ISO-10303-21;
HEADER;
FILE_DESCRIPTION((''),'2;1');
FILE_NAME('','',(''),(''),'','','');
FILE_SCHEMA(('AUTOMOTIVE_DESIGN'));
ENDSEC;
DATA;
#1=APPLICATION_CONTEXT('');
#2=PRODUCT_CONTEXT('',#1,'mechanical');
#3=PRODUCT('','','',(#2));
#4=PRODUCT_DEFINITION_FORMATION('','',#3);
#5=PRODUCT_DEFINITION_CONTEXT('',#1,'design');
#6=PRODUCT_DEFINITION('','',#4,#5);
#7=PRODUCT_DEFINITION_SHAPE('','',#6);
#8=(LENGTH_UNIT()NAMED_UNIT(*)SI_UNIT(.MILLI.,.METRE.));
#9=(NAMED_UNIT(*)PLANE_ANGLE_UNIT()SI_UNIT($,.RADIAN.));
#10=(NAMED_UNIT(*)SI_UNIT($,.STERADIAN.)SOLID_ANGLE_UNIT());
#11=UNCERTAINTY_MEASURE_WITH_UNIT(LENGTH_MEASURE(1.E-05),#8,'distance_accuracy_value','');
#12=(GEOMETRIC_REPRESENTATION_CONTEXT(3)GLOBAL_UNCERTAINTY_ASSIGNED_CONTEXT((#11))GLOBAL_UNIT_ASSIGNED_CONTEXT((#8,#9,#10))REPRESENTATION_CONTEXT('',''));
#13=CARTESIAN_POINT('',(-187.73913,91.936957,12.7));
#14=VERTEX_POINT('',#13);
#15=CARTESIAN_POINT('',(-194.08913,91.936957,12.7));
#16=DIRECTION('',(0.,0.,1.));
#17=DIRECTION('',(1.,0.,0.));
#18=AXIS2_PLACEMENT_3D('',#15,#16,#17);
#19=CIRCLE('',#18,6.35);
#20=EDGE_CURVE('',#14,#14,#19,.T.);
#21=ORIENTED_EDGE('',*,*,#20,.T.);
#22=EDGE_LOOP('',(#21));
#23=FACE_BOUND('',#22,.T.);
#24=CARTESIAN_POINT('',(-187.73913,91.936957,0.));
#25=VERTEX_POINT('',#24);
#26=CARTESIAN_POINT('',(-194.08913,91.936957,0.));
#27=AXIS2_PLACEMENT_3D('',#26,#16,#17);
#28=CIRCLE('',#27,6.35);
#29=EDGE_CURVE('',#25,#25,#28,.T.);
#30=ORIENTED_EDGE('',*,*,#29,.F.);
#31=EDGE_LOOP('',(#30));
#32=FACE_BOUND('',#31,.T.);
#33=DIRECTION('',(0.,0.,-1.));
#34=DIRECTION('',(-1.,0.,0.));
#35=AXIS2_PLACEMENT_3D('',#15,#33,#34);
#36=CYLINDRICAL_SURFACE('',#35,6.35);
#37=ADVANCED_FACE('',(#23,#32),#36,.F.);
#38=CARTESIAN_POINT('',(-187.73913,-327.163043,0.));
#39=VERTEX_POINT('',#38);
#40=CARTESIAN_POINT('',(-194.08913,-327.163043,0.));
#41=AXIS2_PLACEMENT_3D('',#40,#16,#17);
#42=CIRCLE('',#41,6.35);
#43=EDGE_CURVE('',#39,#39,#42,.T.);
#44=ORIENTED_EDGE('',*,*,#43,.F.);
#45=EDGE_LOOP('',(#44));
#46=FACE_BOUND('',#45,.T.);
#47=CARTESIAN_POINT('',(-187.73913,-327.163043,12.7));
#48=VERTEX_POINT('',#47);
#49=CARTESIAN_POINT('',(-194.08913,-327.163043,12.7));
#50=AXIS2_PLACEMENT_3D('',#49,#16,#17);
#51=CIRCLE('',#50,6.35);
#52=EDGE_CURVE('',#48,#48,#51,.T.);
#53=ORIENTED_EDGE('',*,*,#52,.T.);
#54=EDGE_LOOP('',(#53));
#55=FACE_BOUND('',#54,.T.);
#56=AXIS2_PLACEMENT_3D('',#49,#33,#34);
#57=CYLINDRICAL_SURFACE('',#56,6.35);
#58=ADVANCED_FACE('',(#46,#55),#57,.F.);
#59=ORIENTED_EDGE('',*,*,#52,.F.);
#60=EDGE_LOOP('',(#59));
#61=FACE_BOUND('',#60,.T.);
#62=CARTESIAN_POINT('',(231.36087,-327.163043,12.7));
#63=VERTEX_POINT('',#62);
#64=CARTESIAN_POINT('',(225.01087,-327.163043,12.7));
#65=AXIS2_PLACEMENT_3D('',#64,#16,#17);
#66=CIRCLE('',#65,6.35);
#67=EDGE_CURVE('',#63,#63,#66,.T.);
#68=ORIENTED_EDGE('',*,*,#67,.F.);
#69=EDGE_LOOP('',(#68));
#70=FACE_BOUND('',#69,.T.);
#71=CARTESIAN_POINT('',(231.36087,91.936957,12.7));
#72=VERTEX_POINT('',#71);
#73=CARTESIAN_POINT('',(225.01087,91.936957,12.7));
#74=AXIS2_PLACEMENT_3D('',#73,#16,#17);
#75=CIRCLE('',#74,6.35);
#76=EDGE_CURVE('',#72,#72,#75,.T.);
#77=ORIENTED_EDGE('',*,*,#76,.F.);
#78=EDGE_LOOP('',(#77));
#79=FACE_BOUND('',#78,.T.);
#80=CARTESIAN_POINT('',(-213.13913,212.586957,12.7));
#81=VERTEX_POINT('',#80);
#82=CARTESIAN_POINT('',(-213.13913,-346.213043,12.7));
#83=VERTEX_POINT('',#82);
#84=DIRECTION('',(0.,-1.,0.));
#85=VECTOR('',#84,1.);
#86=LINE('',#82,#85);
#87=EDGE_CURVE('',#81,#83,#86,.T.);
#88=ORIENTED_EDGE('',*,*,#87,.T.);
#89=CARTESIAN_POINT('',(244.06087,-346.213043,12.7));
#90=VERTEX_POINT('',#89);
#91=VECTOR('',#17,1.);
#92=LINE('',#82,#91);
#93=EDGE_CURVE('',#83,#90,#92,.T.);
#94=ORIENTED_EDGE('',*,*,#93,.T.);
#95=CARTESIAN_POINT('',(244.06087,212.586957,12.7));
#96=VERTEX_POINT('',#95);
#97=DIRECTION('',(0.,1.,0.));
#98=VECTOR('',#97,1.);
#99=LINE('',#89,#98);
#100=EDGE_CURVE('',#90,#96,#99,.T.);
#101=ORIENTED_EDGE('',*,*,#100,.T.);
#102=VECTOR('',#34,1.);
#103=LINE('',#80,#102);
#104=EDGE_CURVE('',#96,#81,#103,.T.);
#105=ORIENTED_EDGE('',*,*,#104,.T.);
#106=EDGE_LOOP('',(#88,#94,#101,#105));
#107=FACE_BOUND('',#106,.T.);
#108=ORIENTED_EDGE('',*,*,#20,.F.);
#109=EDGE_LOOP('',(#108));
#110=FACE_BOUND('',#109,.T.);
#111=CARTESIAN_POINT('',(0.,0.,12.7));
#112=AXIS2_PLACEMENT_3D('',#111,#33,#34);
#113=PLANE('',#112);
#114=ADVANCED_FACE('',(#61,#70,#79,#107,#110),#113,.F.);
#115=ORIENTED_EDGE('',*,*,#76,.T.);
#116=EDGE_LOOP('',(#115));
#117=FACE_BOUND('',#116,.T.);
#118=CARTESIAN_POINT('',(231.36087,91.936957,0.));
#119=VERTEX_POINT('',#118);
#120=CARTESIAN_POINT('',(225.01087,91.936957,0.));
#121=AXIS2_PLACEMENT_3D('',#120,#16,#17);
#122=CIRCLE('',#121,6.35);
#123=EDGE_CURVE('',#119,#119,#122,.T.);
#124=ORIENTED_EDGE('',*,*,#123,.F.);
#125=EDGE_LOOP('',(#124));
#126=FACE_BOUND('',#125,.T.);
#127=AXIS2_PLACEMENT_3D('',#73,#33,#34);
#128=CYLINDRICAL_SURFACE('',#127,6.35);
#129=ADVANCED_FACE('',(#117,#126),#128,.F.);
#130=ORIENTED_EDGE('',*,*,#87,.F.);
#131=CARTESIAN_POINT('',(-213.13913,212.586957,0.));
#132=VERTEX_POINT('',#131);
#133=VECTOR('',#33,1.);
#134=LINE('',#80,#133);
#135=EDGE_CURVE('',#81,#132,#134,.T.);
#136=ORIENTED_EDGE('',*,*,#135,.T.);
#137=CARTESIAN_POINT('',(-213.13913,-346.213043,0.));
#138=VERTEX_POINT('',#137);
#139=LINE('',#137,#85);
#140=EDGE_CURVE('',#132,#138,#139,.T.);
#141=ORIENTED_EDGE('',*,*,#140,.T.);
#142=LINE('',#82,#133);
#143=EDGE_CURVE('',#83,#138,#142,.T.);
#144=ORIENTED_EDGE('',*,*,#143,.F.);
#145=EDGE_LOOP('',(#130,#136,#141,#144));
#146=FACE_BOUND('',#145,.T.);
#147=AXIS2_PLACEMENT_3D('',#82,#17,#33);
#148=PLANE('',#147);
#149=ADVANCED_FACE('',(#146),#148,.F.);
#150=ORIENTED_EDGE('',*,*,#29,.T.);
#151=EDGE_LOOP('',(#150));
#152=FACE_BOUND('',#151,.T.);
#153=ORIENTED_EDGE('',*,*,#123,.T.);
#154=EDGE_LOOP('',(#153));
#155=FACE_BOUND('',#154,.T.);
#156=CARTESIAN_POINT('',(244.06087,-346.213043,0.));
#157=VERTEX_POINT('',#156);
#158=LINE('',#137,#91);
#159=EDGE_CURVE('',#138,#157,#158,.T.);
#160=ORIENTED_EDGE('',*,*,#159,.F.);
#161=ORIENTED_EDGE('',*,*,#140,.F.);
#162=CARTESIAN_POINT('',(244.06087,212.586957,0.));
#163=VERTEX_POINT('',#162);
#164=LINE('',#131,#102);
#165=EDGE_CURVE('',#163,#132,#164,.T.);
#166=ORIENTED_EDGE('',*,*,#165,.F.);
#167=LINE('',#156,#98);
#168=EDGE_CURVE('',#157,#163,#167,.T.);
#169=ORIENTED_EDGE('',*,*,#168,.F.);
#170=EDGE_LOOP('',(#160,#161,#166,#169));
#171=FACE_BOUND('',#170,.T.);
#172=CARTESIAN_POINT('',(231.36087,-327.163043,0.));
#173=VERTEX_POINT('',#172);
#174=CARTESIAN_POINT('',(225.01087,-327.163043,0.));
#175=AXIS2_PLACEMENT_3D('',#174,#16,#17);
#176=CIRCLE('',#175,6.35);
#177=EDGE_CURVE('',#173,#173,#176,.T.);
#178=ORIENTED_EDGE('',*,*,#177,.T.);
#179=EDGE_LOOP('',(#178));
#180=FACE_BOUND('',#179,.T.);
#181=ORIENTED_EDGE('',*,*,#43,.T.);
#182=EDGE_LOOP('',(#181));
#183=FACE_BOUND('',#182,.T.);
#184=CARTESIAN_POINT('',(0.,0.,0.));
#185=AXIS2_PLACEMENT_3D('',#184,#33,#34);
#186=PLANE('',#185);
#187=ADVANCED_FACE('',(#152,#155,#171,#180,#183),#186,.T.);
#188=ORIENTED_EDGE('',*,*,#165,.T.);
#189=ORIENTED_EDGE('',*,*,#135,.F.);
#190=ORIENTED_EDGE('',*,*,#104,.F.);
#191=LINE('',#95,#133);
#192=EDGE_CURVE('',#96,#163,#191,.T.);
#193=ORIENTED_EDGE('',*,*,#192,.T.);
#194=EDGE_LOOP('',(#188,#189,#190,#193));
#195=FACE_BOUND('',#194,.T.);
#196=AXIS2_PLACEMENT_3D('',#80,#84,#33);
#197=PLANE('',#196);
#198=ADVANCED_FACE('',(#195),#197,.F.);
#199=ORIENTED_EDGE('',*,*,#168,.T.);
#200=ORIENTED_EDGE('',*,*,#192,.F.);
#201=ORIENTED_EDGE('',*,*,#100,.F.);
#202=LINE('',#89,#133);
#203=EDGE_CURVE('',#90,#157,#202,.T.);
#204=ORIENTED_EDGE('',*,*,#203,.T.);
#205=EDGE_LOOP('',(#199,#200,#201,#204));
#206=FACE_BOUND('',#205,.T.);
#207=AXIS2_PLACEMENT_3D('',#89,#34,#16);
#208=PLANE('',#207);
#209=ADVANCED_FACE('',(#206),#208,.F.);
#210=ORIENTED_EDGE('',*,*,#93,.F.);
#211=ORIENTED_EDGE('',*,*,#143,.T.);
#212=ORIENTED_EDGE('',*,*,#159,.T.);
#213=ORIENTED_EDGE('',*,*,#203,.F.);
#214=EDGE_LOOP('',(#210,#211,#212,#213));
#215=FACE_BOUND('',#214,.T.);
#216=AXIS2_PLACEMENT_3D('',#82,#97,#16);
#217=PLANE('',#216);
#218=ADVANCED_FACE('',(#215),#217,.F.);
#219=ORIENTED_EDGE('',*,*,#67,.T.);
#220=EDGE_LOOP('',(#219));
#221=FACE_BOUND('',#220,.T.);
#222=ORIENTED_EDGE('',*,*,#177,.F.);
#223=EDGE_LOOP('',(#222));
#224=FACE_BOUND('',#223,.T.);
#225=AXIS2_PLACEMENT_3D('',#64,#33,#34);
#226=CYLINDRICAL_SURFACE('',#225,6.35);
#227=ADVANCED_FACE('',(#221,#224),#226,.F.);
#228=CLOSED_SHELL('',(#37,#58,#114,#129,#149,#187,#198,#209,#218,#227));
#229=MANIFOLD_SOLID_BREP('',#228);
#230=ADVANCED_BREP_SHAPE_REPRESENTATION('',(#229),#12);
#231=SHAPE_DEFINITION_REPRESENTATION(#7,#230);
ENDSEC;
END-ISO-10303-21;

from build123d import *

# Parameters (mm, degrees)
SKETCH1_W           = 457.2
SKETCH1_H           = 558.8
SKETCH1_R           = 6.35
BOSS_EXTRUDE1_DEPTH = 12.7


with BuildPart() as part:
    # Sketch1 → Boss-Extrude1 (new body)
    with BuildSketch(Plane.XY):
        with Locations((15.460869565, -66.813043478)):
            Rectangle(SKETCH1_W, SKETCH1_H)
        with Locations((-194.089130435, 91.936956522)):
            Circle(SKETCH1_R, mode=Mode.SUBTRACT)
        with Locations((225.010869565, 91.936956522)):
            Circle(SKETCH1_R, mode=Mode.SUBTRACT)
        with Locations((225.010869565, -327.163043478)):
            Circle(SKETCH1_R, mode=Mode.SUBTRACT)
        with Locations((-194.089130435, -327.163043478)):
            Circle(SKETCH1_R, mode=Mode.SUBTRACT)
    extrude(amount=BOSS_EXTRUDE1_DEPTH)


solid = part.part
